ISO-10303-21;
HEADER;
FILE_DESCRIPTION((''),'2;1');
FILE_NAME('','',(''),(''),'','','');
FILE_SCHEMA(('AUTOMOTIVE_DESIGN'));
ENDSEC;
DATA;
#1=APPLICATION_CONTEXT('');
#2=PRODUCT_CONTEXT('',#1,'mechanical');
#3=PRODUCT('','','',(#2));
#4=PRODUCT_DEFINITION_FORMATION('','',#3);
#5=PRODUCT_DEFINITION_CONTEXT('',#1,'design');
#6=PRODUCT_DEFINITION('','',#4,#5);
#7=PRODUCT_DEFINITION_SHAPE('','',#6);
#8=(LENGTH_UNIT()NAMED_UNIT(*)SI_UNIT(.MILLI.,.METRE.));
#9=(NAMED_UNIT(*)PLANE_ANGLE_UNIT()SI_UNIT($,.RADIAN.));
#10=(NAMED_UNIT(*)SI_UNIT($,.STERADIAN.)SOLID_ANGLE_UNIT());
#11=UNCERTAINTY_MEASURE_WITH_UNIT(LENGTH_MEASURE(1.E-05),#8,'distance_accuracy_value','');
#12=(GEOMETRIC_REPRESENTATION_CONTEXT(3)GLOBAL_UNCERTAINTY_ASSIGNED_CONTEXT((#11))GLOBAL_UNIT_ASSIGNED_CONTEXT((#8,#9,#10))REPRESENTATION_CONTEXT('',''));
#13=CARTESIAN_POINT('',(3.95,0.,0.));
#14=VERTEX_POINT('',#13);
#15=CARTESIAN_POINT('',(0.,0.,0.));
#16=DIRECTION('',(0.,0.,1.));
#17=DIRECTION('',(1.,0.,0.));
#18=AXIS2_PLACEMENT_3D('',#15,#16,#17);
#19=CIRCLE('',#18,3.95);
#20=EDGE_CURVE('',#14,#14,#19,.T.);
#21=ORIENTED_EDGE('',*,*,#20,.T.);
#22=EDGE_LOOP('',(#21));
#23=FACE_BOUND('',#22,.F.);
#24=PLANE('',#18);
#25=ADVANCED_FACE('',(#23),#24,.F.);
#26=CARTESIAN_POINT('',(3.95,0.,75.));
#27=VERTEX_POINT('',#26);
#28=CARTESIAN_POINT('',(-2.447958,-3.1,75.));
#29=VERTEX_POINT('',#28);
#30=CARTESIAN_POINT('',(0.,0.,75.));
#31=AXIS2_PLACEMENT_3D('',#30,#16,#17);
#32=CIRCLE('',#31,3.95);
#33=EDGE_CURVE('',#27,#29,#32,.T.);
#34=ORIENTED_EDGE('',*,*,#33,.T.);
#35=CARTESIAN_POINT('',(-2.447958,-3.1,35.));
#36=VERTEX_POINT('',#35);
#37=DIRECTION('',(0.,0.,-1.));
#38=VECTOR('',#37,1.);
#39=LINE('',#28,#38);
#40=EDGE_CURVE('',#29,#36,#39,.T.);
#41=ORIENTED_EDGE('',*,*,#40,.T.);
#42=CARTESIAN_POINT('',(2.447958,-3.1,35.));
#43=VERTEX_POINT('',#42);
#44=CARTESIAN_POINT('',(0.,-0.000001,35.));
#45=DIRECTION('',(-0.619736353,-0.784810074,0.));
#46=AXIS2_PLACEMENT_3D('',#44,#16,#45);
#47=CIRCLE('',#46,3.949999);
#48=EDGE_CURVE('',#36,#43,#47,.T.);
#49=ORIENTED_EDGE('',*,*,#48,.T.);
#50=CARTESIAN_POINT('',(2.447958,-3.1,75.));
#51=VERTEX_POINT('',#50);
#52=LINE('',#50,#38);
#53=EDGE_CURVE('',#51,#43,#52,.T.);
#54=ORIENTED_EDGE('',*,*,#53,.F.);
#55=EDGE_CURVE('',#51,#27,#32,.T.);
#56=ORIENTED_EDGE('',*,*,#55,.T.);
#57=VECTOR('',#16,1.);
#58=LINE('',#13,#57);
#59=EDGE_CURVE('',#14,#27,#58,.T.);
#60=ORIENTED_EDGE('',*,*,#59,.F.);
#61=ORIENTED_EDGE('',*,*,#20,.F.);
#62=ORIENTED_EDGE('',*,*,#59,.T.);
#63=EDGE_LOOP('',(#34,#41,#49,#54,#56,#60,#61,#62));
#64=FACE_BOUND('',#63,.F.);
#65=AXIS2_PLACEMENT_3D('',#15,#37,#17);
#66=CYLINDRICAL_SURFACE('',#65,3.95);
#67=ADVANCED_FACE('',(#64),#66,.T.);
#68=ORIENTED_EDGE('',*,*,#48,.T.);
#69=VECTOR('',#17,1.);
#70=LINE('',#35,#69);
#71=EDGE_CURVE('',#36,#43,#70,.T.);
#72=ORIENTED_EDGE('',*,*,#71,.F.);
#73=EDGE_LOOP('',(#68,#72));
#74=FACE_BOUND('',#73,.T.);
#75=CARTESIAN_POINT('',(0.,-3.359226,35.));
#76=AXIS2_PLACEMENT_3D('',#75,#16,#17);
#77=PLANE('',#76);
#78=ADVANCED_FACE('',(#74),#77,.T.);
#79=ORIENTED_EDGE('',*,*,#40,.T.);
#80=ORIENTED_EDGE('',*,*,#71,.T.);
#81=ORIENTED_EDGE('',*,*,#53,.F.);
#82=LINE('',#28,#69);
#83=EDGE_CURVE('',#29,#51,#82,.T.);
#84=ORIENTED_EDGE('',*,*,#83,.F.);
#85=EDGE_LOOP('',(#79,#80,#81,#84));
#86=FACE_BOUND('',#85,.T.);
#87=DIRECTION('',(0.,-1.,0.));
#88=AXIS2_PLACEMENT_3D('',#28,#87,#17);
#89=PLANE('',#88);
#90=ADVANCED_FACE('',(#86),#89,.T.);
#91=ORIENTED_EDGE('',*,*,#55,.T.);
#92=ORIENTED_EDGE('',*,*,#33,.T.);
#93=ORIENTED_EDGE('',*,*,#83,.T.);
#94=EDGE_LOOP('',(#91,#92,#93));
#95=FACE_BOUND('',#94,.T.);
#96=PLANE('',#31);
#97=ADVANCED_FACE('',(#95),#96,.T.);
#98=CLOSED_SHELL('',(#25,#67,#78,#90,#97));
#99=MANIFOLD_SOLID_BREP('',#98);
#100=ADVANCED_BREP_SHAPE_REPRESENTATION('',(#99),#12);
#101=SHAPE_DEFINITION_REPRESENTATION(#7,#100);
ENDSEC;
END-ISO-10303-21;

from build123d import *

# Parameters (mm, degrees)
SKETCH_R     = 3.95
PAD_DEPTH    = 75
POCKET_DEPTH = 40


with BuildPart() as part:
    # Sketch → Pad (new body)
    with BuildSketch(Plane.XY):
        Circle(SKETCH_R)
    extrude(amount=PAD_DEPTH)

    # Sketch001 (on Face3 of Pad) → Pocket (cut)
    with BuildSketch(Plane.XY.offset(75)):
        with BuildLine():
            ThreePointArc((-2.447958, -3.1), (0, -3.95), (2.447958, -3.1))
            Line((-2.447958, -3.1), (2.447958, -3.1))
        make_face()
    extrude(amount=-POCKET_DEPTH, mode=Mode.SUBTRACT)


solid = part.part
